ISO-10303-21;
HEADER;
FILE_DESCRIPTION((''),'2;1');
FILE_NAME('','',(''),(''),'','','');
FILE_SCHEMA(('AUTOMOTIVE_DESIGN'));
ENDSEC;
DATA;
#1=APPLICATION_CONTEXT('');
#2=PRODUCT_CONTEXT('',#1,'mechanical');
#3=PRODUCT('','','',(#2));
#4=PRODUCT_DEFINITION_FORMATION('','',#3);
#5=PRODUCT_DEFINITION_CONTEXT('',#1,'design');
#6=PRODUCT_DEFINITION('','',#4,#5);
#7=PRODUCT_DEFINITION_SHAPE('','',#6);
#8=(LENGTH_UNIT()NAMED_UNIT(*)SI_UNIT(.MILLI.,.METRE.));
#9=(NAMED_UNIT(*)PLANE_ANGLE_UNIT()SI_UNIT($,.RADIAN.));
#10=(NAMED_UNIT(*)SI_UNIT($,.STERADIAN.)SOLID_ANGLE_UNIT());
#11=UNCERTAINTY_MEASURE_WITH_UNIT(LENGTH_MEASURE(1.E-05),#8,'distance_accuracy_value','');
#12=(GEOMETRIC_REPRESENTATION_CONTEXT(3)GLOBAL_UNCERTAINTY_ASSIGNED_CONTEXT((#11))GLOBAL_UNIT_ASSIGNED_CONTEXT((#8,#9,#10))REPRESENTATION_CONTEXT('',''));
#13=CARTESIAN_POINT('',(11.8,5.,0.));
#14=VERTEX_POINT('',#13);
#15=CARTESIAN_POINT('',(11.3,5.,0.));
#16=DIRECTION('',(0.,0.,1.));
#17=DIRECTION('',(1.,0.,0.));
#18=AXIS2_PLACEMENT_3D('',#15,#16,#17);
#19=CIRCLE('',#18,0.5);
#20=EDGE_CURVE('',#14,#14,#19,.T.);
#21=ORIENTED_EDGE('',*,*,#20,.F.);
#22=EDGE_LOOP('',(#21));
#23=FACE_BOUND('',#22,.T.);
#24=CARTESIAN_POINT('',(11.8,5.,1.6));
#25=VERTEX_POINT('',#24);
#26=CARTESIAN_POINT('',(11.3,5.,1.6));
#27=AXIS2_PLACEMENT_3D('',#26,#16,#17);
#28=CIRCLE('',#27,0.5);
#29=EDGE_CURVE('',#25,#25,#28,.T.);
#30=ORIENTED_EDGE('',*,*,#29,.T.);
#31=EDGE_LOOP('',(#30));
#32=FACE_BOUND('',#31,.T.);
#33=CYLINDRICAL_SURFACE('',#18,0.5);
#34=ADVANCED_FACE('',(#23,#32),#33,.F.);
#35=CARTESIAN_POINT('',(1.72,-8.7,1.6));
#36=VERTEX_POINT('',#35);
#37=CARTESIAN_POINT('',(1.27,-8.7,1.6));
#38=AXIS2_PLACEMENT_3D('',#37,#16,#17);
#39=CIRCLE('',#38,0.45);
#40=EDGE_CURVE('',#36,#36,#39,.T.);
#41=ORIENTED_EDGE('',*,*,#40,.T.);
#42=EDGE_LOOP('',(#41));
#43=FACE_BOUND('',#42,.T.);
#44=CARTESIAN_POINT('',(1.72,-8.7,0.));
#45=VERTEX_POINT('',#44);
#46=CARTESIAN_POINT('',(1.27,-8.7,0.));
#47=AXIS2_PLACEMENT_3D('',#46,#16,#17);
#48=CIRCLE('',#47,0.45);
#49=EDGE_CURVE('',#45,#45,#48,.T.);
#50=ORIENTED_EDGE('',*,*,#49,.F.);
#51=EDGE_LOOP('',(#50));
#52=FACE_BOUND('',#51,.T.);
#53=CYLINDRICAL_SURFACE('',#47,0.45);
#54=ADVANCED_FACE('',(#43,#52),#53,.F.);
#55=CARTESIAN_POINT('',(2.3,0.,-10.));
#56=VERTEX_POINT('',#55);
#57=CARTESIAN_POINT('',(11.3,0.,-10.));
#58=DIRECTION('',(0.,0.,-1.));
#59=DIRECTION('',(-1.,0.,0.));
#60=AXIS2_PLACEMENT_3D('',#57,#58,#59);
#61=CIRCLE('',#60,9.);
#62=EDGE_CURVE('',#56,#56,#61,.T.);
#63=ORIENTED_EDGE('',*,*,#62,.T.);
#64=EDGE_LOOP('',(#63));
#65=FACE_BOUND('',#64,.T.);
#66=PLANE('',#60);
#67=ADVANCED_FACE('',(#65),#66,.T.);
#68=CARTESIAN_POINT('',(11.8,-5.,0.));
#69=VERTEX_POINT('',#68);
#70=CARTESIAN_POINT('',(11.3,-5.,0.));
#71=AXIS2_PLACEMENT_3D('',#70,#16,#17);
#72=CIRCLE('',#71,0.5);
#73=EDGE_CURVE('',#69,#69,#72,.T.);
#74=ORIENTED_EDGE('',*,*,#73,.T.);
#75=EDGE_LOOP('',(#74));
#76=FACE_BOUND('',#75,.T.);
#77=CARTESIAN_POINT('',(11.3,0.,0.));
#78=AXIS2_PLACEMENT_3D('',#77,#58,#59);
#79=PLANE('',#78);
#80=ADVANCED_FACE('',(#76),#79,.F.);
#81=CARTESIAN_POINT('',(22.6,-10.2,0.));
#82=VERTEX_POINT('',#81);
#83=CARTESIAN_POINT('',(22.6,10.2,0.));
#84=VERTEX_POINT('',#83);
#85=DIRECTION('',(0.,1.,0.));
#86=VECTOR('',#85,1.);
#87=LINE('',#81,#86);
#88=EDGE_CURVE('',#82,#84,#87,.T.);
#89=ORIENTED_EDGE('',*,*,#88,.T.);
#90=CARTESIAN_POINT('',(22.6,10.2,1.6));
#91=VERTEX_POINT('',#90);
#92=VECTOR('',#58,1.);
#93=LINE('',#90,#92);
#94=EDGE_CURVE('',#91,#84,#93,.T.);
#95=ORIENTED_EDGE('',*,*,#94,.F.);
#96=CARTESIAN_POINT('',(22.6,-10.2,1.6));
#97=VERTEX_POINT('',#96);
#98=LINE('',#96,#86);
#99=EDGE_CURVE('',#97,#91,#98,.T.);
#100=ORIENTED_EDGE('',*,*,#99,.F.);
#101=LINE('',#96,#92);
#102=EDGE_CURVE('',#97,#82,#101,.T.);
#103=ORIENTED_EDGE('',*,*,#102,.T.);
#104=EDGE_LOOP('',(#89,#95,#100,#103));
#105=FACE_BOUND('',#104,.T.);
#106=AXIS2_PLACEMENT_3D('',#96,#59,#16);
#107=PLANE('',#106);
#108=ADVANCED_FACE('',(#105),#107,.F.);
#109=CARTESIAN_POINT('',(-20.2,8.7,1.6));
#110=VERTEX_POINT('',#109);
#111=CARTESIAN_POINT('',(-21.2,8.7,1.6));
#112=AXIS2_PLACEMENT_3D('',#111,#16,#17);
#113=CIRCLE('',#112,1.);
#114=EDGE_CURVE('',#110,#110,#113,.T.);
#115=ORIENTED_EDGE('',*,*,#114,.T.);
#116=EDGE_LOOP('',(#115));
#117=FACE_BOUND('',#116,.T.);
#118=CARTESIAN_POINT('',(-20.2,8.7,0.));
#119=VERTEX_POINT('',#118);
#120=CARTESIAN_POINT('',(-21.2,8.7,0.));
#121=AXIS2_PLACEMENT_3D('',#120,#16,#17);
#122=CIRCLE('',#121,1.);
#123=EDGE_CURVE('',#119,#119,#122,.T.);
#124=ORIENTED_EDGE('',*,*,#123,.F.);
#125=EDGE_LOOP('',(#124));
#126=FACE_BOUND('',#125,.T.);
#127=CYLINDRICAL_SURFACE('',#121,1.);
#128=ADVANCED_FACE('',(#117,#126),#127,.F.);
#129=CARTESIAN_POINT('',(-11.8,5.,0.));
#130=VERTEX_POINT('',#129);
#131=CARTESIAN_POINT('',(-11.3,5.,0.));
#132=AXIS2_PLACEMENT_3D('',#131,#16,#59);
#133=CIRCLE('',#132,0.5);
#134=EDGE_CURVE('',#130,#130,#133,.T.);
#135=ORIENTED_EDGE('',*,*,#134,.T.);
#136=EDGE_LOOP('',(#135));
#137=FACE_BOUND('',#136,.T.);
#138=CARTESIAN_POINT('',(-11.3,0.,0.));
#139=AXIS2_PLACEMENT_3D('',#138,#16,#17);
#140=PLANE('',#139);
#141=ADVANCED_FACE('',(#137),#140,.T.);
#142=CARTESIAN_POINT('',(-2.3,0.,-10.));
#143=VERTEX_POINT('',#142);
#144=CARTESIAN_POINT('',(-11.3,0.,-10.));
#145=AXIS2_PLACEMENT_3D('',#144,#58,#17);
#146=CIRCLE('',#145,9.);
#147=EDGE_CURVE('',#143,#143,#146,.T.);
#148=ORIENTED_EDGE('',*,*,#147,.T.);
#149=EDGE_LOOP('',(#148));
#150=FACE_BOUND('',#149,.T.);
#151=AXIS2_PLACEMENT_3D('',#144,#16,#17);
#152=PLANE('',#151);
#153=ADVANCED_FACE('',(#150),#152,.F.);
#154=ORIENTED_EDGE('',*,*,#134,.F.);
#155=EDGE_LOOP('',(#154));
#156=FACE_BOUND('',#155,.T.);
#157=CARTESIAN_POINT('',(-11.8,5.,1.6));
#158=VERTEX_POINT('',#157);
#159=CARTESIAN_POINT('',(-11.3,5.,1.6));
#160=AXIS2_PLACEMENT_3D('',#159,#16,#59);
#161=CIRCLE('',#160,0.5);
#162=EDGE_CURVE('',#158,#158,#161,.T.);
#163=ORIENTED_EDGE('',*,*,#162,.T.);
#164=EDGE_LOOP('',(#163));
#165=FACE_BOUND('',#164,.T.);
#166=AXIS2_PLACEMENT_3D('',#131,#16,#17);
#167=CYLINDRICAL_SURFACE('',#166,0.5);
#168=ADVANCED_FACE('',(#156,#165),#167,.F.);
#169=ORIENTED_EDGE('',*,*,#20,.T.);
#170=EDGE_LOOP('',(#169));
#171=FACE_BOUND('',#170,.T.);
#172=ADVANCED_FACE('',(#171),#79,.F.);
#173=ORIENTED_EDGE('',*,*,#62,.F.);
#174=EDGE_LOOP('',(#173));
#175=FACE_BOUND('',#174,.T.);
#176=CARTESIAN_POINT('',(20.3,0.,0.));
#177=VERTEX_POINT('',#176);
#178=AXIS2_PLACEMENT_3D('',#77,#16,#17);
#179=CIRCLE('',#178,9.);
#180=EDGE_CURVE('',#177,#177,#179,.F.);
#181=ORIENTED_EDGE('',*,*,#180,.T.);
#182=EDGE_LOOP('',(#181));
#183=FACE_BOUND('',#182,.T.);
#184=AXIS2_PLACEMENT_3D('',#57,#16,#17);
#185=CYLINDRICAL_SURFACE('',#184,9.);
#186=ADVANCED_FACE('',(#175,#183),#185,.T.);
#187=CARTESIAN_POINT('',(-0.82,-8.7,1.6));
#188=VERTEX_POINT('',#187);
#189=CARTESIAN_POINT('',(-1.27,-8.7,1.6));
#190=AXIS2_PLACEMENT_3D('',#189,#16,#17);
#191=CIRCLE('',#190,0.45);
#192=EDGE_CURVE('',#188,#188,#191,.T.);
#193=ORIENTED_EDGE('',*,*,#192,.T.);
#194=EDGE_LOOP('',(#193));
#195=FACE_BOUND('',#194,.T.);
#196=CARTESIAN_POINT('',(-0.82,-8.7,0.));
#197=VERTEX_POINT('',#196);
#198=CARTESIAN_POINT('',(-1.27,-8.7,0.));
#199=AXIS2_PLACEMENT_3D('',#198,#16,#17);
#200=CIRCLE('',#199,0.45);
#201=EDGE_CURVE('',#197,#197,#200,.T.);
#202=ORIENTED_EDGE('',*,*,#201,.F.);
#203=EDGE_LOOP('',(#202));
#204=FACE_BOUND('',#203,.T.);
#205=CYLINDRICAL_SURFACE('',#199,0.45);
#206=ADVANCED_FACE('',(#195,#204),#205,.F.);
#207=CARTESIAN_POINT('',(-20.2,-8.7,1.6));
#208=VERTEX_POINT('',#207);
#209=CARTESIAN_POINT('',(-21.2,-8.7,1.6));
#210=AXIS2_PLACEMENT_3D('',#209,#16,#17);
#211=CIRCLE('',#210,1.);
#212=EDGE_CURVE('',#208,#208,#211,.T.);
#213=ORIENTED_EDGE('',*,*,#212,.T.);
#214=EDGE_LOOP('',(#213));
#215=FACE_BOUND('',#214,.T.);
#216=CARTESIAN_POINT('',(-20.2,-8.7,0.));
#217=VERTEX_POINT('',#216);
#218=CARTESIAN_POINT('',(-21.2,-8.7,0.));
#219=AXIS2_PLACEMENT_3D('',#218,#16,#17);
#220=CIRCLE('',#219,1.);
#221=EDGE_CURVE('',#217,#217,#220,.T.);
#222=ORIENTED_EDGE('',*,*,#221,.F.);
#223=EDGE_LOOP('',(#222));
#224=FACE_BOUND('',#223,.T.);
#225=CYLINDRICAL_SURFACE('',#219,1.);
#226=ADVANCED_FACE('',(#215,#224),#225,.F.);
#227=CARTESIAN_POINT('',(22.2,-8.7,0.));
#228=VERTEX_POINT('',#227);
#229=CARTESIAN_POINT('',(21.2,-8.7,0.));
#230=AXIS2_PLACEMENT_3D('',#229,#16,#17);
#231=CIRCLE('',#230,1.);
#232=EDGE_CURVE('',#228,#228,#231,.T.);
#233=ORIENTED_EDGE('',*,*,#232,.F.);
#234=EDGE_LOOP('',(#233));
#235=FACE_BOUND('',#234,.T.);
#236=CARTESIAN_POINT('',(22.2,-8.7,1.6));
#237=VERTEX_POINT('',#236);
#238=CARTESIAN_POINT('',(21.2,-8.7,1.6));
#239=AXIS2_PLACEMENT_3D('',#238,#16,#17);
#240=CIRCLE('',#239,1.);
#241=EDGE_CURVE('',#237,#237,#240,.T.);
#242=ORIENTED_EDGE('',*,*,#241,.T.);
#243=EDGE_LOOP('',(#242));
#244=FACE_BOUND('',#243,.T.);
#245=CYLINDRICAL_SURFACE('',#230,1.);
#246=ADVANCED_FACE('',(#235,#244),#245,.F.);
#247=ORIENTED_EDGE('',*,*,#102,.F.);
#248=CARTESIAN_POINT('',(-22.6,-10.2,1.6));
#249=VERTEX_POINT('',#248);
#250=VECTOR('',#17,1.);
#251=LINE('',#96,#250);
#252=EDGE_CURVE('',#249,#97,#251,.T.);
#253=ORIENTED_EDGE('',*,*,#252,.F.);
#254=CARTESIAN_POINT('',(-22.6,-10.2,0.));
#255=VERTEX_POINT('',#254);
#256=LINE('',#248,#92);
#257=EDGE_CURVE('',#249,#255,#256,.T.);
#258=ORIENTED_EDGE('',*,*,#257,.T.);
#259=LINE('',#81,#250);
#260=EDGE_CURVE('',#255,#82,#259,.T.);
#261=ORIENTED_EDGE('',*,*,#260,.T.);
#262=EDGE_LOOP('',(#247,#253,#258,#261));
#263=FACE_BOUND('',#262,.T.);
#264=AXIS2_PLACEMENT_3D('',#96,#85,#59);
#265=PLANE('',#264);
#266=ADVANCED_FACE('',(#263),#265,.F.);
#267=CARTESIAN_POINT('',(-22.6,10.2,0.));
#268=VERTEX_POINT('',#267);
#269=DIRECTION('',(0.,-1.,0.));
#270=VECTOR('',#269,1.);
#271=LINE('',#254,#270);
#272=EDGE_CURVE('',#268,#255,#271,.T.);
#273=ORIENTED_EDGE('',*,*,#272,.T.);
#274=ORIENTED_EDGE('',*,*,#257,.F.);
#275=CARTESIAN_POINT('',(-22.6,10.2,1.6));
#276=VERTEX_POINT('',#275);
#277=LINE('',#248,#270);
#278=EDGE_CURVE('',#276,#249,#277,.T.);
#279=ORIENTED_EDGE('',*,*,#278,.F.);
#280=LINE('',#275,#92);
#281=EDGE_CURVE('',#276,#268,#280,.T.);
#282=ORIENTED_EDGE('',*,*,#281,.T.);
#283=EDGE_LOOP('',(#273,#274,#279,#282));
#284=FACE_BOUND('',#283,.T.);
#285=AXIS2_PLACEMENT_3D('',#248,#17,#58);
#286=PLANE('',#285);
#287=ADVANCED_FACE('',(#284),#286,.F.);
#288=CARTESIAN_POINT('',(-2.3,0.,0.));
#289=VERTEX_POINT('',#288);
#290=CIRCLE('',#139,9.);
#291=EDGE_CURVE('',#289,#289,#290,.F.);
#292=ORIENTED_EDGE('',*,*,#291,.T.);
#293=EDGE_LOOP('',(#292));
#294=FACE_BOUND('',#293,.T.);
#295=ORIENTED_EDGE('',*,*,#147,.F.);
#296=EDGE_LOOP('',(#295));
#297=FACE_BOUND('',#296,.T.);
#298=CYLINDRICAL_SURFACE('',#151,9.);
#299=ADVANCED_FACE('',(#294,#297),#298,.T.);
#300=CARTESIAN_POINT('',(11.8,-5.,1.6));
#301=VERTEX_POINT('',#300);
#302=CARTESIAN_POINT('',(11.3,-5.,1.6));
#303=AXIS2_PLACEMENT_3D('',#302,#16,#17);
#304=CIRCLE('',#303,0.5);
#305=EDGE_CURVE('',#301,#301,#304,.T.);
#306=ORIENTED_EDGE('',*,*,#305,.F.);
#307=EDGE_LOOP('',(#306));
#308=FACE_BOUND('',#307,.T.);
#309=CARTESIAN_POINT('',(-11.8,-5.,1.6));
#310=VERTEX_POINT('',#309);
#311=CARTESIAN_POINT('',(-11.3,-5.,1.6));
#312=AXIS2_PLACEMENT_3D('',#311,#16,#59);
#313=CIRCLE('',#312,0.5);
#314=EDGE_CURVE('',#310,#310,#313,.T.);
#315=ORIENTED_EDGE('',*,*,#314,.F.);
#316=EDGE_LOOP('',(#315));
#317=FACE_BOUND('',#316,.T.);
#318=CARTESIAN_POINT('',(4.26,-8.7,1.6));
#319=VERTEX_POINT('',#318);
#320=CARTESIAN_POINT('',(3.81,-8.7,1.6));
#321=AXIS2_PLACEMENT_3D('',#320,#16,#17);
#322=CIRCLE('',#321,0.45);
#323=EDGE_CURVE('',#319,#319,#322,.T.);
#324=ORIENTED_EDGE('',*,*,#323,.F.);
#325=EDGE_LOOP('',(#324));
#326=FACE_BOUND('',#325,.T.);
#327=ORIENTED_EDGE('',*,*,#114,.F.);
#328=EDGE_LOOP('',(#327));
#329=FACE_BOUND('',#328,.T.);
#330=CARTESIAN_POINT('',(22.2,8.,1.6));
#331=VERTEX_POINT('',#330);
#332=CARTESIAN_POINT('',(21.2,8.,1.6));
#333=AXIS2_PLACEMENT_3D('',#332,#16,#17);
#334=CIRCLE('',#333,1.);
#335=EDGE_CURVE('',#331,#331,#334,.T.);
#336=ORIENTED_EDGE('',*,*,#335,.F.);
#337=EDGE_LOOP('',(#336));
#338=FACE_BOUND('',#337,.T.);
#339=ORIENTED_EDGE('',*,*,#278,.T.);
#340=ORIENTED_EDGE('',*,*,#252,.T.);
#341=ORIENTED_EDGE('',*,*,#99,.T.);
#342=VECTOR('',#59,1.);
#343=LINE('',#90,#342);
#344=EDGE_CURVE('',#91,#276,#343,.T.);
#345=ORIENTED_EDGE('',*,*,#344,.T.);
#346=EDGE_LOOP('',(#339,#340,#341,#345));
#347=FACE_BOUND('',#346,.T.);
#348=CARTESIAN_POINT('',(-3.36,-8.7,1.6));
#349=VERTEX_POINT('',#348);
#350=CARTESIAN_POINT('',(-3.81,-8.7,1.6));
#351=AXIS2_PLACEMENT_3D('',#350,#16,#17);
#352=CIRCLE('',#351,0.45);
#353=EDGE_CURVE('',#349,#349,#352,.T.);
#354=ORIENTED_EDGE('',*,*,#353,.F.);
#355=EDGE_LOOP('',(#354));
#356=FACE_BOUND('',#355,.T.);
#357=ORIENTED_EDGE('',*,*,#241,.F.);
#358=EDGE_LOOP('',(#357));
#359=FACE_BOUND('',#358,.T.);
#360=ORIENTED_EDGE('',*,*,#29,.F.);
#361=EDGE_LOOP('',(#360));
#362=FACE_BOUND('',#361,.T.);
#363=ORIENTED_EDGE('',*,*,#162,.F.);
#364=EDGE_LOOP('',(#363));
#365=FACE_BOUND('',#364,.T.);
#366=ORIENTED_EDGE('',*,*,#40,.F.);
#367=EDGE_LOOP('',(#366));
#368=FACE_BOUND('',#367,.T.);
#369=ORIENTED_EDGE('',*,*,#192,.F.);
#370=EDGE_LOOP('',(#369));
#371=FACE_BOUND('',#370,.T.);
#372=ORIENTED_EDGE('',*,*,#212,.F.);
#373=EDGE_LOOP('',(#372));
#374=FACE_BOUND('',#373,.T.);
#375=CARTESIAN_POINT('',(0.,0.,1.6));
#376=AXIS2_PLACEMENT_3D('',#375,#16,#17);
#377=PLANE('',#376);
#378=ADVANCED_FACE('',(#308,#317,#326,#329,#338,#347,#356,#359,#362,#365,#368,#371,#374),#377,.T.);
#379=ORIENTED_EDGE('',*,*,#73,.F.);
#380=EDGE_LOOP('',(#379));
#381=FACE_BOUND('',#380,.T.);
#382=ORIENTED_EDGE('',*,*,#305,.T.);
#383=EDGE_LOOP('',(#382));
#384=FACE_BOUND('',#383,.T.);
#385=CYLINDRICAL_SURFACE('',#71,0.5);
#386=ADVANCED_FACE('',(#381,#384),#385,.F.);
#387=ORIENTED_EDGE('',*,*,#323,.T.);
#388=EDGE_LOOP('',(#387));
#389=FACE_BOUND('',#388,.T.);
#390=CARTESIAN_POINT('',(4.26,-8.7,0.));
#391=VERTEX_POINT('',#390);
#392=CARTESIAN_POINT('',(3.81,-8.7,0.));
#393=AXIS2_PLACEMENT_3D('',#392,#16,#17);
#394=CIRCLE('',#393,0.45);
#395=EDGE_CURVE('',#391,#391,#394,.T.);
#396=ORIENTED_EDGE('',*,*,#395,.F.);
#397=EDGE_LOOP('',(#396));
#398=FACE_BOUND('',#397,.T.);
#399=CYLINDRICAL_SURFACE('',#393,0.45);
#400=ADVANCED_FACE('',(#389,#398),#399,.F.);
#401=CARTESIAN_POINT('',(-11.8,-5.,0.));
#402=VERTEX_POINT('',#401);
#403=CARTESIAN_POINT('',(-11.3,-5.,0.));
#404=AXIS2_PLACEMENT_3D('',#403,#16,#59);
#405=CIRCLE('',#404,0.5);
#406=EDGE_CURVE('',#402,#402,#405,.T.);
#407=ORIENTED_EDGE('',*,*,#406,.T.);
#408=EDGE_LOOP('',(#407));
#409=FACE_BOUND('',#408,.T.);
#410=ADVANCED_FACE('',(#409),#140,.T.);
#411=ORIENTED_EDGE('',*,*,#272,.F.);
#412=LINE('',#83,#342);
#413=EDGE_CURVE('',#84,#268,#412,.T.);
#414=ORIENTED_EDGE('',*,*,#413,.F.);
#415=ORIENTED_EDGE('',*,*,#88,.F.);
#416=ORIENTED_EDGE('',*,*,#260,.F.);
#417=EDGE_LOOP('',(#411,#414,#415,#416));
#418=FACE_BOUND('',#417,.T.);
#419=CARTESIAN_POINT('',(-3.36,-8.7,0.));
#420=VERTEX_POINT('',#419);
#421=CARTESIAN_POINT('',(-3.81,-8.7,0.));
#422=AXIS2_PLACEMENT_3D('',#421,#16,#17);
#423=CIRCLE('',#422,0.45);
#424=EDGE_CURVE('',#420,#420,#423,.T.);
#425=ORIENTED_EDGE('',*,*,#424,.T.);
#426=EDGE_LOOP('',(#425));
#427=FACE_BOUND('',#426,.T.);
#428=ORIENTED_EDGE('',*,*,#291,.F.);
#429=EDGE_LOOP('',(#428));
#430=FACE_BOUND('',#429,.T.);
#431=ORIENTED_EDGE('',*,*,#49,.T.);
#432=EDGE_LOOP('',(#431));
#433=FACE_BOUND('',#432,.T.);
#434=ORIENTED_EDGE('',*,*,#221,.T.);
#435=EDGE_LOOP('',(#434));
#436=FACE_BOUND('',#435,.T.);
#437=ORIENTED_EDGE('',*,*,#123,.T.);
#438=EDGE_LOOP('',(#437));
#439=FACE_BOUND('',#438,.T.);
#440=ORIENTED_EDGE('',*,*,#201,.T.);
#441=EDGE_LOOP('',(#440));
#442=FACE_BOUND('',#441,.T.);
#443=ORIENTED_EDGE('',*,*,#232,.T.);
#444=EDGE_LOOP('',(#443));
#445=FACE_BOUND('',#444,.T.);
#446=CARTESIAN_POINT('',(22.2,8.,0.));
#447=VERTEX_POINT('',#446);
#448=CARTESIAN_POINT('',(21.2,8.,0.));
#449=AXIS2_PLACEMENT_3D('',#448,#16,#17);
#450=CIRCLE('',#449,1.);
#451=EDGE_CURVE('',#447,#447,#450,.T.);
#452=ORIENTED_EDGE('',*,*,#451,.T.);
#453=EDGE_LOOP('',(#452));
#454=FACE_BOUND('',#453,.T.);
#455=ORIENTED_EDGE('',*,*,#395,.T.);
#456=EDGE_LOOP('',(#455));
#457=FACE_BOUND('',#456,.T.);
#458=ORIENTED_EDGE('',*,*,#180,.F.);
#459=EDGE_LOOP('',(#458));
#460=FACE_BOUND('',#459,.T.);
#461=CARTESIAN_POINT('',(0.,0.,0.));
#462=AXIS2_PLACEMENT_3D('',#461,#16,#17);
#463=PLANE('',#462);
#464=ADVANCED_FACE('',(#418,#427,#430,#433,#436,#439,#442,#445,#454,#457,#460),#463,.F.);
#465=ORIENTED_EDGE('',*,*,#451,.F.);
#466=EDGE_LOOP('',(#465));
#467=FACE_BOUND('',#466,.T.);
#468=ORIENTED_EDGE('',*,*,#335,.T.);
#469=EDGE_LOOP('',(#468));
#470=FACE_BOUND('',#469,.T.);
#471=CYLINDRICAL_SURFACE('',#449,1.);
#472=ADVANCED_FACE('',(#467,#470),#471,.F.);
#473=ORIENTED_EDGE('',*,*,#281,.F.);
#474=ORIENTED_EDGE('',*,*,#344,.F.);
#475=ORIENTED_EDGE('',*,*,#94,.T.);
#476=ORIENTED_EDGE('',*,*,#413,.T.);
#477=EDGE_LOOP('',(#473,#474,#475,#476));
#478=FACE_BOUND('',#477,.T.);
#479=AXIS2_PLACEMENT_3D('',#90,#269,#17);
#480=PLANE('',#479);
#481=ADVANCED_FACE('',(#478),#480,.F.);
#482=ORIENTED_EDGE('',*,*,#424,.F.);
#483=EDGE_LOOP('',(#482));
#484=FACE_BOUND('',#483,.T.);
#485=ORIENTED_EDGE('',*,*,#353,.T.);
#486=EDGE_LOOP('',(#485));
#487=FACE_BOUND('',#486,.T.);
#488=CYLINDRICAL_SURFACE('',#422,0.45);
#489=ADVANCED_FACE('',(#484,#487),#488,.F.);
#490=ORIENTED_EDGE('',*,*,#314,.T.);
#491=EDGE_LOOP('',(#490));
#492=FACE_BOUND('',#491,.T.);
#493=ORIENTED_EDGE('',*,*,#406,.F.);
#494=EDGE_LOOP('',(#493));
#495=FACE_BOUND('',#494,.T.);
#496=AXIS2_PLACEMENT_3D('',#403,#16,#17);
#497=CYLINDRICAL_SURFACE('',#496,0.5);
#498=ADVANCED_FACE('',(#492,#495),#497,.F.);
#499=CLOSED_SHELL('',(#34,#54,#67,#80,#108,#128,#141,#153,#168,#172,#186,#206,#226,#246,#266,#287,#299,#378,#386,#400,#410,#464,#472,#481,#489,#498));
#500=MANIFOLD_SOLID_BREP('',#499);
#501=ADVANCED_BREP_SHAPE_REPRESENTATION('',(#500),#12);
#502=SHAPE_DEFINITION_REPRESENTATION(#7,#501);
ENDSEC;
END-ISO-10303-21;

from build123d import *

# Parameters (mm, degrees)
SKETCH_1_W          = 45.2
SKETCH_1_H          = 20.4
EXTRUDE_1_DEPTH     = 1.6
SKETCH_2_R          = 1
SKETCH_2_R_2        = 0.45
CUT_EXTRUDE_1_DEPTH = 25.846730167
SKETCH_3_R          = 0.5
CUT_EXTRUDE_2_DEPTH = 25.846730167
SKETCH_4_R          = 9
EXTRUDE_2_DEPTH     = 10


with BuildPart() as part:
    # Эскиз1 → Бобышка-Вытянуть1 (new body)
    with BuildSketch(Plane.XY):
        Rectangle(SKETCH_1_W, SKETCH_1_H)
    extrude(amount=EXTRUDE_1_DEPTH)

    # Эскиз2 → Вырез-Вытянуть1 (cut, through all)
    with BuildSketch(Plane.XY.offset(1.6)):
        with Locations((-21.2, 8.7)):
            Circle(SKETCH_2_R)
        with Locations((-21.2, -8.7)):
            Circle(SKETCH_2_R)
        with Locations((21.2, -8.7)):
            Circle(SKETCH_2_R)
        with Locations((21.2, 8)):
            Circle(SKETCH_2_R)
        with Locations((-3.81, -8.7)):
            Circle(SKETCH_2_R_2)
        with Locations((-1.27, -8.7)):
            Circle(SKETCH_2_R_2)
        with Locations((1.27, -8.7)):
            Circle(SKETCH_2_R_2)
        with Locations((3.81, -8.7)):
            Circle(SKETCH_2_R_2)
    extrude(amount=-CUT_EXTRUDE_1_DEPTH, mode=Mode.SUBTRACT)

    # Эскиз3 → Вырез-Вытянуть2 (cut, through all)
    with BuildSketch(Plane.XY.offset(1.6)):
        with Locations((11.3, 5)):
            Circle(SKETCH_3_R)
        with Locations((11.3, -5)):
            Circle(SKETCH_3_R)
        with Locations(Location((-11.3, -5, 0), (0, 0, 180))):
            Circle(SKETCH_3_R)
        with Locations(Location((-11.3, 5, 0), (0, 0, 180))):
            Circle(SKETCH_3_R)
    extrude(amount=-CUT_EXTRUDE_2_DEPTH, mode=Mode.SUBTRACT)

    # Эскиз4 → Бобышка-Вытянуть2 (add)
    with BuildSketch(Plane(origin=(0, 0, 0), x_dir=(-1, 0, 0), z_dir=(0, 0, -1))):
        with Locations(Location((-11.3, 0, 0), (0, 0, 180))):
            Circle(SKETCH_4_R)
        with Locations(Location((11.3, 0, 0), (0, 0, 180))):
            Circle(SKETCH_4_R)
    extrude(amount=EXTRUDE_2_DEPTH)


solid = part.part
